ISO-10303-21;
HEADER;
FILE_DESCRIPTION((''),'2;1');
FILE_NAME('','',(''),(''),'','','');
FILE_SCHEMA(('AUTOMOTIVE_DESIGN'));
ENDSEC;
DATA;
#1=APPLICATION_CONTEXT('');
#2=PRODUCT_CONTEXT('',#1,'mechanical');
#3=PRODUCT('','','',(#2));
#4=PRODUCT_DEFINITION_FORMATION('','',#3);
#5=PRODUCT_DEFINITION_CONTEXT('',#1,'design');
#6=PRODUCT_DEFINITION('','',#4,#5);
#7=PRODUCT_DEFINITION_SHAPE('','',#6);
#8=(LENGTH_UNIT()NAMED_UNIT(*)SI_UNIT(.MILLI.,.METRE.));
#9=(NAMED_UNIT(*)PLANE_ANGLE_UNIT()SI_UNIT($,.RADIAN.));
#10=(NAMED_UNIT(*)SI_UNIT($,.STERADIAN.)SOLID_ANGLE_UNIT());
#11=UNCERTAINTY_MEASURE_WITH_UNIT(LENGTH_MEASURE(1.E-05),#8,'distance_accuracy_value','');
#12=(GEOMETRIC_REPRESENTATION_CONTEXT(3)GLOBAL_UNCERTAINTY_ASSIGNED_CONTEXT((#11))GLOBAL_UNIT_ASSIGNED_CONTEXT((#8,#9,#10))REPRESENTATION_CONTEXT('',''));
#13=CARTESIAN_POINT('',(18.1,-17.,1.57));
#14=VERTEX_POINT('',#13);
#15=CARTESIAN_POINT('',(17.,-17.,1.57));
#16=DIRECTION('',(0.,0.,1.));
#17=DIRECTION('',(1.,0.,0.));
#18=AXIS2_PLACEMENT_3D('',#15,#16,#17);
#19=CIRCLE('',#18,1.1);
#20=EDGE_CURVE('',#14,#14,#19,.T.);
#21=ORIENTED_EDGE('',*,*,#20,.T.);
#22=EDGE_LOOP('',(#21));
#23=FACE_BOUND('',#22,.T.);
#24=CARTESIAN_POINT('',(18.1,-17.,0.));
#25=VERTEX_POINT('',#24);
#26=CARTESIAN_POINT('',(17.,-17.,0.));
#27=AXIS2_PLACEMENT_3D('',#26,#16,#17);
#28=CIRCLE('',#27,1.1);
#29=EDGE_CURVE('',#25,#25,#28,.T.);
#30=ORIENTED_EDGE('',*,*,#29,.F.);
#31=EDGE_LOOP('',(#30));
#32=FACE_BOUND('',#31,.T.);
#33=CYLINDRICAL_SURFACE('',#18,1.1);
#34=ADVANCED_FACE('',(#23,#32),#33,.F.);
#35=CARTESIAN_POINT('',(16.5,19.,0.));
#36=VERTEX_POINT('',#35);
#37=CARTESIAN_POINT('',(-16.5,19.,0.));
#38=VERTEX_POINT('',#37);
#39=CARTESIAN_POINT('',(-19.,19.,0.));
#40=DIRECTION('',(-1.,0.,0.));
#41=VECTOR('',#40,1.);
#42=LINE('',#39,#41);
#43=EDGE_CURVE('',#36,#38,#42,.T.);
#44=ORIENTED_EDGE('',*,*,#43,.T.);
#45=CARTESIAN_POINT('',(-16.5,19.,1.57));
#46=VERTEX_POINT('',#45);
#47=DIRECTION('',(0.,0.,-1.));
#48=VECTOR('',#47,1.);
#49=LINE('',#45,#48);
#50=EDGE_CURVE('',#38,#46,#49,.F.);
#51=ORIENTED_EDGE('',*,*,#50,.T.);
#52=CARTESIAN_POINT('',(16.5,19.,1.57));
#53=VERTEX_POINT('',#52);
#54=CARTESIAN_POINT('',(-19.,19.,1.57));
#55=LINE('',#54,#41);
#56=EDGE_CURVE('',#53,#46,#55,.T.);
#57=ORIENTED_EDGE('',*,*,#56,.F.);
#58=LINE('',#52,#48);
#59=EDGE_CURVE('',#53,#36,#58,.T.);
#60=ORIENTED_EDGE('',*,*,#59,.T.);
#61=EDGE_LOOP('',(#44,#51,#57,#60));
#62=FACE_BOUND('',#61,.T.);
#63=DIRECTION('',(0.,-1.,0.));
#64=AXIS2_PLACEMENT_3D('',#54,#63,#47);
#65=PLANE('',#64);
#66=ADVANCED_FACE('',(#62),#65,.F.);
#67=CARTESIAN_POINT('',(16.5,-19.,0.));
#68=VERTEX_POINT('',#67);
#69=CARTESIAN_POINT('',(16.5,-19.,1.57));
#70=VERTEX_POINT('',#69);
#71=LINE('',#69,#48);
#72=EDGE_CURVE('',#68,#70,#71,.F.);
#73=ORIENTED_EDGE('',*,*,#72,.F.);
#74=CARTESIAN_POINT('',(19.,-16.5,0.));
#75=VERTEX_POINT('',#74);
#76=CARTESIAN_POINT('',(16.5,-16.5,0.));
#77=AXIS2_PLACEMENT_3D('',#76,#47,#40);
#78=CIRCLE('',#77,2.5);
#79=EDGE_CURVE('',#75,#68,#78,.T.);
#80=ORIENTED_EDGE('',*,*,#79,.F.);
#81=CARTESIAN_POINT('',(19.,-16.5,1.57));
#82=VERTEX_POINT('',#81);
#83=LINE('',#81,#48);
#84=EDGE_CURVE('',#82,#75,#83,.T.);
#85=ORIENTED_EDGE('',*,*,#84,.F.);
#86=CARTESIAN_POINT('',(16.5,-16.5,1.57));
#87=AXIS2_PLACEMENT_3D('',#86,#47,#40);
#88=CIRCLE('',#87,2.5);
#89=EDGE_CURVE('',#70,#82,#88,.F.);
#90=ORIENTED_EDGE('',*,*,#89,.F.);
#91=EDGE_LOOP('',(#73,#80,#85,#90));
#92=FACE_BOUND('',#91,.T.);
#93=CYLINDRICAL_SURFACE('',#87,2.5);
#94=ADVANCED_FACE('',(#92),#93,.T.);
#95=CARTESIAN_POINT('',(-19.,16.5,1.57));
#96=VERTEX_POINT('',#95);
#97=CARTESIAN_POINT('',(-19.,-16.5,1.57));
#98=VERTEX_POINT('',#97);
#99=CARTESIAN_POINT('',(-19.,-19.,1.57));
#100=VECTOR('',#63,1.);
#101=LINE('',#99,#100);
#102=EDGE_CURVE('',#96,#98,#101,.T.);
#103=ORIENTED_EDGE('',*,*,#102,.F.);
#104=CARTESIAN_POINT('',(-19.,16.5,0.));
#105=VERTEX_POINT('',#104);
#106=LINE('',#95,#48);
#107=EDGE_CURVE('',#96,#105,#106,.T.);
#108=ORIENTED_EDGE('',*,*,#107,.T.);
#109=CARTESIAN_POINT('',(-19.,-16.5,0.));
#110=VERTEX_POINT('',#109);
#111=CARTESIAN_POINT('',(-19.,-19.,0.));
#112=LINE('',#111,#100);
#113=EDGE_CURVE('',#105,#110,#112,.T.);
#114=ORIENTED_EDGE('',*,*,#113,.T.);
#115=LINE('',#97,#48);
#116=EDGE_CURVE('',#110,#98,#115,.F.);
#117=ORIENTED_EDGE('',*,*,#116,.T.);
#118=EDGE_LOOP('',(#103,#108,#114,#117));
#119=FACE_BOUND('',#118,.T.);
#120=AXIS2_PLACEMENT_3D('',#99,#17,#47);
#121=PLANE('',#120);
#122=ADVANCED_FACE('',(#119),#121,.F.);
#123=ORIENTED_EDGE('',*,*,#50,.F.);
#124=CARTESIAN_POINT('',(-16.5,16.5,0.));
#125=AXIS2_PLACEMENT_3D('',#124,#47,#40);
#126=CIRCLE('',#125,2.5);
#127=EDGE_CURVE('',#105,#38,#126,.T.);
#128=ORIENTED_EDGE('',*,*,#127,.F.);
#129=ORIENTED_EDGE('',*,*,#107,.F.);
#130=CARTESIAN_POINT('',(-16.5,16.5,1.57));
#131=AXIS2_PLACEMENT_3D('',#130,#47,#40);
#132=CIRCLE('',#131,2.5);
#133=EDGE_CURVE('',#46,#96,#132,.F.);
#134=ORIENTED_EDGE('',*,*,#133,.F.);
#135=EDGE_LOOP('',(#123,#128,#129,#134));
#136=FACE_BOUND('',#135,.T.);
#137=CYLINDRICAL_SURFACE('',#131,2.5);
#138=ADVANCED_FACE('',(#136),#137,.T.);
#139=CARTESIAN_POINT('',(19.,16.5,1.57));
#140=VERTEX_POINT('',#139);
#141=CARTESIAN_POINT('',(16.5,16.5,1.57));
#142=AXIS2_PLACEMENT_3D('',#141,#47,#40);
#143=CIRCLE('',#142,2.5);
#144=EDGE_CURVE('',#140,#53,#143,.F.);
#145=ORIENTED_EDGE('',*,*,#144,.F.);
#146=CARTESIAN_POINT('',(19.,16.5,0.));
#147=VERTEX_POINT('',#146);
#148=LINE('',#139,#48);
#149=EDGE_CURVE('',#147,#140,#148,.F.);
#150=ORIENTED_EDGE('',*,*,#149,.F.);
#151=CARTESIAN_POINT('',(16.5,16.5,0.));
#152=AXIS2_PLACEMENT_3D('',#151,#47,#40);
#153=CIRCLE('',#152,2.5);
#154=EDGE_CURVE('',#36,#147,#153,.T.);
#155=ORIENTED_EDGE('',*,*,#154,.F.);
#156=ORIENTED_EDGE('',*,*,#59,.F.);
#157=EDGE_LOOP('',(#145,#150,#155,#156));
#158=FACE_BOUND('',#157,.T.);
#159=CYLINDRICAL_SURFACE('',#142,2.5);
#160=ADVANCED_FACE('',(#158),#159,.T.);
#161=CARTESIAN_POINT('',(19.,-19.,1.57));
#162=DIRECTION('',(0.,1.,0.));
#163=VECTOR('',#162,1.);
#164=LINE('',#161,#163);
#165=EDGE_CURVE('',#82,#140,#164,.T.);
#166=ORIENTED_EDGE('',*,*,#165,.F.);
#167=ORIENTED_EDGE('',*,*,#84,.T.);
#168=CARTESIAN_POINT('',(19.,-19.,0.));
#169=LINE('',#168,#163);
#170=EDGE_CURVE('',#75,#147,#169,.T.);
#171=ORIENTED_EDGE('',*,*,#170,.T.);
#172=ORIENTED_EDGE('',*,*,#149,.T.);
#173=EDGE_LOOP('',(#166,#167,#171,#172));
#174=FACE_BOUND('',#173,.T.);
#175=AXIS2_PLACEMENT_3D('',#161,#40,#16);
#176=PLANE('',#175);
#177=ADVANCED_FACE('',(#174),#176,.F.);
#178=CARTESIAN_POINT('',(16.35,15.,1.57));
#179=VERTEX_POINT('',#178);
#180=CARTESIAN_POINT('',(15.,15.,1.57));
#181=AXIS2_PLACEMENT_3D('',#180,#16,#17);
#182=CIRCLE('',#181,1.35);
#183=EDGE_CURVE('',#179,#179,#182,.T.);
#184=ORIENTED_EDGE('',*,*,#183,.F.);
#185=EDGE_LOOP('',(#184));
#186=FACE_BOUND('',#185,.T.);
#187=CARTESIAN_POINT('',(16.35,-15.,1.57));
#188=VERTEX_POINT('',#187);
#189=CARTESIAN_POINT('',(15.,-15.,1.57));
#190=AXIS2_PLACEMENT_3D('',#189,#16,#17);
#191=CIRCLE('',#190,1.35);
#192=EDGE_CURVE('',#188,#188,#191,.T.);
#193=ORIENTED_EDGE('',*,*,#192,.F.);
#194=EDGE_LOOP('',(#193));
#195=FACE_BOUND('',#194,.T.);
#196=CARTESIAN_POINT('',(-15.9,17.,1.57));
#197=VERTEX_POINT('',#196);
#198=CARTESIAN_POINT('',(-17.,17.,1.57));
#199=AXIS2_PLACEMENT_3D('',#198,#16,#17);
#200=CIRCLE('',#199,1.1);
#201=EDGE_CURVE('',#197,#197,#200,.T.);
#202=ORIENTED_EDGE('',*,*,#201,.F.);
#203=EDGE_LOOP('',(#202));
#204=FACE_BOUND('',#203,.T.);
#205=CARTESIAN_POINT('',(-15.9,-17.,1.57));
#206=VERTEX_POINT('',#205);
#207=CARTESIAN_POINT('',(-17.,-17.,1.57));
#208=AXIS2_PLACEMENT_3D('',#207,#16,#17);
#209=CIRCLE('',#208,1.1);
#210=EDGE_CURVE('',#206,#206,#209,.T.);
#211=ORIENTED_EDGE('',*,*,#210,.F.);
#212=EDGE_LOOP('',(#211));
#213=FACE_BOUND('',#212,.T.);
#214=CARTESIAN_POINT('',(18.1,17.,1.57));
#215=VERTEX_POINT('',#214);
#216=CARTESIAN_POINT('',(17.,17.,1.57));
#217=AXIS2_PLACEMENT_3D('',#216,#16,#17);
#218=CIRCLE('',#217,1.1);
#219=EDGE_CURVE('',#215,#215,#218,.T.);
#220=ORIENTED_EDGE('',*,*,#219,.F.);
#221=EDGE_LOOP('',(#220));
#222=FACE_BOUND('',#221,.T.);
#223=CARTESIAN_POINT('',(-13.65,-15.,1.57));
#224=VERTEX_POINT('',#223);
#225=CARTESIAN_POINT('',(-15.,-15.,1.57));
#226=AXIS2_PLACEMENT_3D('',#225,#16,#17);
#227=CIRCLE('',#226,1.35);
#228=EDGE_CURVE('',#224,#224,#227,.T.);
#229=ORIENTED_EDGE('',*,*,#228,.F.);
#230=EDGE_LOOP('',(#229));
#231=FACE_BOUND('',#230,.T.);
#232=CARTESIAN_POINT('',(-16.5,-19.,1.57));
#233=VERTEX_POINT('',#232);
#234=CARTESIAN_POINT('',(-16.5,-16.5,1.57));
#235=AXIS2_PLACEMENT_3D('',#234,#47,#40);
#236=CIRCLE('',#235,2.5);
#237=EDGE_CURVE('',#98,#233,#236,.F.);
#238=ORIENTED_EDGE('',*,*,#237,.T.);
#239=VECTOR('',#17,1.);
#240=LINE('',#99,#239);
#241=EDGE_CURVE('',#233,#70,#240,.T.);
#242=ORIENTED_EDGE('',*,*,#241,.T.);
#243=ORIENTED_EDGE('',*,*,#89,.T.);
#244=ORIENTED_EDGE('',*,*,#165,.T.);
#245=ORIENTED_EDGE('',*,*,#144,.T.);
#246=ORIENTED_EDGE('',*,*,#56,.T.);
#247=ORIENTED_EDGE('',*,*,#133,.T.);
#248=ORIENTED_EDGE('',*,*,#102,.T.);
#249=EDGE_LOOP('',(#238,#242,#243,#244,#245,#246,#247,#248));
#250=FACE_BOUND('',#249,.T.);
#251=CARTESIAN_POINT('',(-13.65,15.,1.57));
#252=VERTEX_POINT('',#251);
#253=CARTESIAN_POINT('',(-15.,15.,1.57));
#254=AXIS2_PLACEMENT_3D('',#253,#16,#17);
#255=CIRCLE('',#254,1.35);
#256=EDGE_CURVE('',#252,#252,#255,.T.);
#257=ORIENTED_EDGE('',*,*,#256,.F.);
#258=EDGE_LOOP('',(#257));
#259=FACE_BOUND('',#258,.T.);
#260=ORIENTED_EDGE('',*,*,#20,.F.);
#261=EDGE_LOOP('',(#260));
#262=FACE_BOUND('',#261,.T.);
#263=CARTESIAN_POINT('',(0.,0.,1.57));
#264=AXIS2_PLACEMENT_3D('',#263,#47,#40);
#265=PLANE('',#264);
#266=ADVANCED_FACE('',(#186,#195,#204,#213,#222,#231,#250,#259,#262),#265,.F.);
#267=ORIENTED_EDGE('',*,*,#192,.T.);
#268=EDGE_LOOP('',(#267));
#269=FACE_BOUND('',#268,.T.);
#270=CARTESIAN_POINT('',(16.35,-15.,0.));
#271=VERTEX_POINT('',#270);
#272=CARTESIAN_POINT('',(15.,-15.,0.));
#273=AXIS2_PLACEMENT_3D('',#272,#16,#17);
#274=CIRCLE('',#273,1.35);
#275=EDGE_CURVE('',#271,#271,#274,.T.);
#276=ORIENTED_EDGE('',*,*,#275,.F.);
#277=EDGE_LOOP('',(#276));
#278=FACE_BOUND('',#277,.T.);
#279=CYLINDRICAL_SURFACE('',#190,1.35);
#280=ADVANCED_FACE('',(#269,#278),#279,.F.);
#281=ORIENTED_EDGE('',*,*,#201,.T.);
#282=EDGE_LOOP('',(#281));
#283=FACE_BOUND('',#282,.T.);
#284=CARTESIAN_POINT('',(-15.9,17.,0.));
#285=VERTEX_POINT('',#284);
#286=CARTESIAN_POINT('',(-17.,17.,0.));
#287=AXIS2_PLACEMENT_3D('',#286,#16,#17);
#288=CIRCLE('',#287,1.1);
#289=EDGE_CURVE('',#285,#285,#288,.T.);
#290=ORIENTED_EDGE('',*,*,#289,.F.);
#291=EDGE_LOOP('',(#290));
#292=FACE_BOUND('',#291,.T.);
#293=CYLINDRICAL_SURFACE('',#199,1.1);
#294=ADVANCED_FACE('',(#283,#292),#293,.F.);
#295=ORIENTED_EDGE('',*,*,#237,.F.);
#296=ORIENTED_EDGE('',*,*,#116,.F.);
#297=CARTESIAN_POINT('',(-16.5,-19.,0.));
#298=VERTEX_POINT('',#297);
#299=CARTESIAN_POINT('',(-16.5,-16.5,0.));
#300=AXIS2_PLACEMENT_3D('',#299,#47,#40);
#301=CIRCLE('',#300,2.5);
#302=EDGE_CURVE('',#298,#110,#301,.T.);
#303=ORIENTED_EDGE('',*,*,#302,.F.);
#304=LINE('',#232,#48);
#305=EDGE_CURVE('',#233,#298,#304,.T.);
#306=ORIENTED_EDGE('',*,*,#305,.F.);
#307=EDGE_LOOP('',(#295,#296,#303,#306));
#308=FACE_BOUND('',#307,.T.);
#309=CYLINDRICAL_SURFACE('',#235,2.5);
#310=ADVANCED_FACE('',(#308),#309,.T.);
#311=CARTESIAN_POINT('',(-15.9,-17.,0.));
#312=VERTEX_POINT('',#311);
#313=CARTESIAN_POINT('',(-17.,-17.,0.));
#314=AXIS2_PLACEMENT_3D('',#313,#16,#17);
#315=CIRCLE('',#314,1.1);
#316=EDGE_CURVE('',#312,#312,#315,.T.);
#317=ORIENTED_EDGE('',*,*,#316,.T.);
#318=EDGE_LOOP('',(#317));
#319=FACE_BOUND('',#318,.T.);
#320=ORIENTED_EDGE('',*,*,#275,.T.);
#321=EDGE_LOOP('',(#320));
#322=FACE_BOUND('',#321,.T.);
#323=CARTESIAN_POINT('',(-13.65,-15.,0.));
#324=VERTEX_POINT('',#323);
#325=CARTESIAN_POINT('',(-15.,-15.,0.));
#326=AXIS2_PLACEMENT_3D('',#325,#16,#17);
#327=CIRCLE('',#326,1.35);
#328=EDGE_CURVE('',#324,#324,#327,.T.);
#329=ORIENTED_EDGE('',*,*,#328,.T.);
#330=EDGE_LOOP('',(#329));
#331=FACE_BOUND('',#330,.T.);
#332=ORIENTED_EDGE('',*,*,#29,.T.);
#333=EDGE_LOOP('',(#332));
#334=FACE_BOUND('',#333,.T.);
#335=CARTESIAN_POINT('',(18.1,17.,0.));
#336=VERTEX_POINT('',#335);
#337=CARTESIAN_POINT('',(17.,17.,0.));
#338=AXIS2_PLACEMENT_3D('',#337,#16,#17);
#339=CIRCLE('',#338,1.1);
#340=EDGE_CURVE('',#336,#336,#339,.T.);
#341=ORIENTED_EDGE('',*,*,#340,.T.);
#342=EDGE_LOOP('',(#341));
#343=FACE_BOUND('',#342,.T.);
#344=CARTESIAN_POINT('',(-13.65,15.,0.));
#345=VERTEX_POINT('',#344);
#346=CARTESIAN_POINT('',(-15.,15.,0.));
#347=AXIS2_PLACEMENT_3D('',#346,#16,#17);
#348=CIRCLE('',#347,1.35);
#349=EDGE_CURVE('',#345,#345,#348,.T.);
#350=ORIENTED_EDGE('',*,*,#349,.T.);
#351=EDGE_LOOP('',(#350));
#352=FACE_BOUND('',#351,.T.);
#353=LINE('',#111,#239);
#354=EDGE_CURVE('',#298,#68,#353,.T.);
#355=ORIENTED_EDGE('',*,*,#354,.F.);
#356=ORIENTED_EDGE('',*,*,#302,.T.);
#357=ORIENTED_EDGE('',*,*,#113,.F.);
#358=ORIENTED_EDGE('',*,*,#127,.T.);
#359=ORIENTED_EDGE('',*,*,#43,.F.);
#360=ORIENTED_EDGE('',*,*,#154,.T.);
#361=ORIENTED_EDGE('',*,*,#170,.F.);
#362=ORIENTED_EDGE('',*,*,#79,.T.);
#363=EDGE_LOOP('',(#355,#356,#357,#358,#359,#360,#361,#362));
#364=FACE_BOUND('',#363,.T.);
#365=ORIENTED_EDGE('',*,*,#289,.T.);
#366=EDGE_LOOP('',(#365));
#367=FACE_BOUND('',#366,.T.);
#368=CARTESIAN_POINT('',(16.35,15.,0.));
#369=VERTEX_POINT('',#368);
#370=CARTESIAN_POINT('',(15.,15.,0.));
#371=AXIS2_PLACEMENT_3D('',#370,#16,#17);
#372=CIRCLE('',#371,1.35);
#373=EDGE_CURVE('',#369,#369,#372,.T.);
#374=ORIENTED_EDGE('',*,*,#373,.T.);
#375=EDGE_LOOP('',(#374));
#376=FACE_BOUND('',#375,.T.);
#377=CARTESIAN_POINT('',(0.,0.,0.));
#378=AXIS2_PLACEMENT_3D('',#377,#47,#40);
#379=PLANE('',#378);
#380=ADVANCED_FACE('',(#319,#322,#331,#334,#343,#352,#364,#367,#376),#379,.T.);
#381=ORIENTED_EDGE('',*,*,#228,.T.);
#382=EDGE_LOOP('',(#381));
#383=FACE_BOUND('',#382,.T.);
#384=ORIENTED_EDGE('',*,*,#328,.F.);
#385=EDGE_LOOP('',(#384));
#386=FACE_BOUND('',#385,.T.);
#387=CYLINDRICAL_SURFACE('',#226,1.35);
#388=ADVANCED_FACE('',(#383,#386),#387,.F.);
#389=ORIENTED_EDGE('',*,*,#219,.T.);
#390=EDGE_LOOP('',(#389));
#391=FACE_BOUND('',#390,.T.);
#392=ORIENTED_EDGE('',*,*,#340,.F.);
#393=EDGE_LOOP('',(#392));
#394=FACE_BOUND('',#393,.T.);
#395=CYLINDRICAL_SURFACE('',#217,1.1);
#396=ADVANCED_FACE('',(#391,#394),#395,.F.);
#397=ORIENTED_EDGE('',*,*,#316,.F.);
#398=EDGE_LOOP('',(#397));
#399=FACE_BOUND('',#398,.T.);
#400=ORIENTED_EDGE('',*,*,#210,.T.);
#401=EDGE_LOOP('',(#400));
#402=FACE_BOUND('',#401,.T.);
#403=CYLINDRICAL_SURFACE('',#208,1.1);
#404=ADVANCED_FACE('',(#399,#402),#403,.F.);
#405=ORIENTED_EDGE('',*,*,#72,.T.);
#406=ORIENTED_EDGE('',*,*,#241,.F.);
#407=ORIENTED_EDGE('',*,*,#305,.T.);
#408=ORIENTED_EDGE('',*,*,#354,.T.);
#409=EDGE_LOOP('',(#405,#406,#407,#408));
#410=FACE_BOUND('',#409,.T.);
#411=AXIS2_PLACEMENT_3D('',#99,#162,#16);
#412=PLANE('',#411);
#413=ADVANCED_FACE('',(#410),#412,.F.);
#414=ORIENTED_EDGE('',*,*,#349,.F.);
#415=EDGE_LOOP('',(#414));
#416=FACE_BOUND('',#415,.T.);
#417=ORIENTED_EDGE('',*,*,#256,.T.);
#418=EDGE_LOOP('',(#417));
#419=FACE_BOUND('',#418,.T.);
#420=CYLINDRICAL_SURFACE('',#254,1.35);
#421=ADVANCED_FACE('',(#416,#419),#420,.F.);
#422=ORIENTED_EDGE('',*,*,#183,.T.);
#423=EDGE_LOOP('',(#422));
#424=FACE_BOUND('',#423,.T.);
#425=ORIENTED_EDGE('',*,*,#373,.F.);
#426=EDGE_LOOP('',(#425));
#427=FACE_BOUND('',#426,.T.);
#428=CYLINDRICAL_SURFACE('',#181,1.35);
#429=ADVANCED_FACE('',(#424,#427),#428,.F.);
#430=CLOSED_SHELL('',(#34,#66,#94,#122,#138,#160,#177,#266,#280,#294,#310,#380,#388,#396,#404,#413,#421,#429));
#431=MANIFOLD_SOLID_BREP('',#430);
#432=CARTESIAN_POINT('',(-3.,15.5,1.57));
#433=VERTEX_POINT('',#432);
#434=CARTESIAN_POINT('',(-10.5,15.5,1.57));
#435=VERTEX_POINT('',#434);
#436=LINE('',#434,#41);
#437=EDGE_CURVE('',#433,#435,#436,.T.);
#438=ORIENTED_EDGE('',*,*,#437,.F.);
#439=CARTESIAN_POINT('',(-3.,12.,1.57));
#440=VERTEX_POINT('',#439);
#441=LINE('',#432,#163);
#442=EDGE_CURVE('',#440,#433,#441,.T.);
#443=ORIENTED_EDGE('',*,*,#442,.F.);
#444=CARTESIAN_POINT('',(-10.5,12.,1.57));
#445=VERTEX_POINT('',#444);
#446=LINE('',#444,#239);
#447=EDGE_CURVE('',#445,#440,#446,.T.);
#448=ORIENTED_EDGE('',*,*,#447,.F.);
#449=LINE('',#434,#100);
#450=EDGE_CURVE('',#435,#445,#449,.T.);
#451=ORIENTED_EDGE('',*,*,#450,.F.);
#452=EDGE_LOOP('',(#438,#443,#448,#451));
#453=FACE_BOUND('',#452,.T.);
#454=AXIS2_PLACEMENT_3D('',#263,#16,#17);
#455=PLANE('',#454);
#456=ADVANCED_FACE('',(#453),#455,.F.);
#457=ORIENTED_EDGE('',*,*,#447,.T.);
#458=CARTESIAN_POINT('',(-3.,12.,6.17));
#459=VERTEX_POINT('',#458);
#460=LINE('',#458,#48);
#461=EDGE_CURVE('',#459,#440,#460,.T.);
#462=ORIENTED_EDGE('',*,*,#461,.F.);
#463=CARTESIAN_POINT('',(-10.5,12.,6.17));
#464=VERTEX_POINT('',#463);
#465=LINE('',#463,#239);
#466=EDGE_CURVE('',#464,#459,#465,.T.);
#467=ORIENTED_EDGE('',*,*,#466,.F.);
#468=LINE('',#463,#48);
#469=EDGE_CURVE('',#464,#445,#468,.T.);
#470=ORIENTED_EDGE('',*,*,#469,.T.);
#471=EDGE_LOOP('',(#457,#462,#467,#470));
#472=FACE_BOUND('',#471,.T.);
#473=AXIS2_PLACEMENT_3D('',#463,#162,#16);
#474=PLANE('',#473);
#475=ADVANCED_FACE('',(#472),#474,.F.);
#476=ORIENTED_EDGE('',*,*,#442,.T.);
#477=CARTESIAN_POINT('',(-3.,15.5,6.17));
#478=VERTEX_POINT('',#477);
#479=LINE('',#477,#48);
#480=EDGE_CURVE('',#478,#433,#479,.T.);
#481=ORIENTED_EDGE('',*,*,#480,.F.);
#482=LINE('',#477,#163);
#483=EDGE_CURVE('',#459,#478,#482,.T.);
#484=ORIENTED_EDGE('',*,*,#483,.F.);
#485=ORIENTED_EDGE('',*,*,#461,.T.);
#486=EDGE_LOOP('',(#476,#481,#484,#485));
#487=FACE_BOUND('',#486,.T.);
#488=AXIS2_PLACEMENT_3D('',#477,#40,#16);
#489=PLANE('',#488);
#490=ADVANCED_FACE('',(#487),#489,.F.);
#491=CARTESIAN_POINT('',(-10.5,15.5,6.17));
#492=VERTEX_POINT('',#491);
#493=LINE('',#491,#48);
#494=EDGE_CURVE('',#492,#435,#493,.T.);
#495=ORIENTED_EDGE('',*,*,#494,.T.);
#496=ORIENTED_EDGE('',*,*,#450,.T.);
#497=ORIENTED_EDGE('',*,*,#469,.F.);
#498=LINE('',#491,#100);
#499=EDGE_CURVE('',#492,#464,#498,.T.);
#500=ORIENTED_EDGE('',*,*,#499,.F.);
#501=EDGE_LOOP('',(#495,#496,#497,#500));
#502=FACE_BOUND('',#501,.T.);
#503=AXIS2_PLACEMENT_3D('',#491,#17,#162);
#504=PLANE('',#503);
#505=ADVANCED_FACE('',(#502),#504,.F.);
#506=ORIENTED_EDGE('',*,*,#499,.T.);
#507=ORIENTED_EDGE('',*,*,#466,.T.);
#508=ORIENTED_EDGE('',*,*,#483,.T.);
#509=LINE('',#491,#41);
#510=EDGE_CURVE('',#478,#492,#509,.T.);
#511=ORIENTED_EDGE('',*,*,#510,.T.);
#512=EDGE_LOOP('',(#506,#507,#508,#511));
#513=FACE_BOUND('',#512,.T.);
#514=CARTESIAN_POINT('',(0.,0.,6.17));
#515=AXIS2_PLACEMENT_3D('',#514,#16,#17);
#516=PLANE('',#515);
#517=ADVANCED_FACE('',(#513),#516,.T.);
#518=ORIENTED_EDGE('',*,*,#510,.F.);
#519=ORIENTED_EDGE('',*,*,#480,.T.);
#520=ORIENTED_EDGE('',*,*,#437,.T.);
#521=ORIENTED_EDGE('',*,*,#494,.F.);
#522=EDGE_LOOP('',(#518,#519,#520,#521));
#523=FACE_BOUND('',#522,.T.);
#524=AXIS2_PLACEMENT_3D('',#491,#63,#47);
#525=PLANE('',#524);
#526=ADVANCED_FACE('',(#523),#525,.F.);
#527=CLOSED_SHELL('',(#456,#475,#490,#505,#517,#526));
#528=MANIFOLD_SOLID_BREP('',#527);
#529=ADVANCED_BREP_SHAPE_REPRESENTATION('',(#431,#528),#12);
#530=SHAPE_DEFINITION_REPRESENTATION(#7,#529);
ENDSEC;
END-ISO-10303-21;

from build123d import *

# Parameters (mm, degrees)
SKETCH1_W              = 38
SKETCH1_H              = 38
BOSS_EXTRUDE1_DEPTH    = 1.57
FILLET1_R              = 2.5
M2_CLEARANCE_HOLE1_D   = 2.2
M2_5_CLEARANCE_HOLE1_D = 2.7
SKETCH6_W              = 7.5
SKETCH6_H              = 3.5
BOSS_EXTRUDE2_DEPTH    = 4.6


with BuildPart() as part:
    # Sketch1 → Boss-Extrude1 (new body)
    with BuildSketch(Plane.XY):
        Rectangle(SKETCH1_W, SKETCH1_H)
    extrude(amount=BOSS_EXTRUDE1_DEPTH)

    # Fillet1
    fillet1_edges = [part.edges().sort_by_distance(p)[0] for p in [
        (19, -19, 0.785),
        (-19, -19, 0.785),
        (-19, 19, 0.785),
        (19, 19, 0.785),
    ]]
    fillet(fillet1_edges, radius=FILLET1_R)

    # M2 Clearance Hole1 (through all)
    with Locations(Plane.XY.offset(1.57)):
        with Locations((-17, 17), (17, -17), (-17, -17), (17, 17)):
            Hole(M2_CLEARANCE_HOLE1_D / 2)

    # M2.5 Clearance Hole1 (through all)
    with Locations(Plane.XY.offset(1.57)):
        with Locations((-15, 15), (15, -15), (-15, -15), (15, 15)):
            Hole(M2_5_CLEARANCE_HOLE1_D / 2)


with BuildPart() as body_2:
    # Sketch6 → Boss-Extrude2 (new body)
    with BuildSketch(Plane.XY.offset(1.57)):
        with Locations((-6.75, 13.75)):
            Rectangle(SKETCH6_W, SKETCH6_H)
    extrude(amount=BOSS_EXTRUDE2_DEPTH)


solid = Compound([part.part, body_2.part])
